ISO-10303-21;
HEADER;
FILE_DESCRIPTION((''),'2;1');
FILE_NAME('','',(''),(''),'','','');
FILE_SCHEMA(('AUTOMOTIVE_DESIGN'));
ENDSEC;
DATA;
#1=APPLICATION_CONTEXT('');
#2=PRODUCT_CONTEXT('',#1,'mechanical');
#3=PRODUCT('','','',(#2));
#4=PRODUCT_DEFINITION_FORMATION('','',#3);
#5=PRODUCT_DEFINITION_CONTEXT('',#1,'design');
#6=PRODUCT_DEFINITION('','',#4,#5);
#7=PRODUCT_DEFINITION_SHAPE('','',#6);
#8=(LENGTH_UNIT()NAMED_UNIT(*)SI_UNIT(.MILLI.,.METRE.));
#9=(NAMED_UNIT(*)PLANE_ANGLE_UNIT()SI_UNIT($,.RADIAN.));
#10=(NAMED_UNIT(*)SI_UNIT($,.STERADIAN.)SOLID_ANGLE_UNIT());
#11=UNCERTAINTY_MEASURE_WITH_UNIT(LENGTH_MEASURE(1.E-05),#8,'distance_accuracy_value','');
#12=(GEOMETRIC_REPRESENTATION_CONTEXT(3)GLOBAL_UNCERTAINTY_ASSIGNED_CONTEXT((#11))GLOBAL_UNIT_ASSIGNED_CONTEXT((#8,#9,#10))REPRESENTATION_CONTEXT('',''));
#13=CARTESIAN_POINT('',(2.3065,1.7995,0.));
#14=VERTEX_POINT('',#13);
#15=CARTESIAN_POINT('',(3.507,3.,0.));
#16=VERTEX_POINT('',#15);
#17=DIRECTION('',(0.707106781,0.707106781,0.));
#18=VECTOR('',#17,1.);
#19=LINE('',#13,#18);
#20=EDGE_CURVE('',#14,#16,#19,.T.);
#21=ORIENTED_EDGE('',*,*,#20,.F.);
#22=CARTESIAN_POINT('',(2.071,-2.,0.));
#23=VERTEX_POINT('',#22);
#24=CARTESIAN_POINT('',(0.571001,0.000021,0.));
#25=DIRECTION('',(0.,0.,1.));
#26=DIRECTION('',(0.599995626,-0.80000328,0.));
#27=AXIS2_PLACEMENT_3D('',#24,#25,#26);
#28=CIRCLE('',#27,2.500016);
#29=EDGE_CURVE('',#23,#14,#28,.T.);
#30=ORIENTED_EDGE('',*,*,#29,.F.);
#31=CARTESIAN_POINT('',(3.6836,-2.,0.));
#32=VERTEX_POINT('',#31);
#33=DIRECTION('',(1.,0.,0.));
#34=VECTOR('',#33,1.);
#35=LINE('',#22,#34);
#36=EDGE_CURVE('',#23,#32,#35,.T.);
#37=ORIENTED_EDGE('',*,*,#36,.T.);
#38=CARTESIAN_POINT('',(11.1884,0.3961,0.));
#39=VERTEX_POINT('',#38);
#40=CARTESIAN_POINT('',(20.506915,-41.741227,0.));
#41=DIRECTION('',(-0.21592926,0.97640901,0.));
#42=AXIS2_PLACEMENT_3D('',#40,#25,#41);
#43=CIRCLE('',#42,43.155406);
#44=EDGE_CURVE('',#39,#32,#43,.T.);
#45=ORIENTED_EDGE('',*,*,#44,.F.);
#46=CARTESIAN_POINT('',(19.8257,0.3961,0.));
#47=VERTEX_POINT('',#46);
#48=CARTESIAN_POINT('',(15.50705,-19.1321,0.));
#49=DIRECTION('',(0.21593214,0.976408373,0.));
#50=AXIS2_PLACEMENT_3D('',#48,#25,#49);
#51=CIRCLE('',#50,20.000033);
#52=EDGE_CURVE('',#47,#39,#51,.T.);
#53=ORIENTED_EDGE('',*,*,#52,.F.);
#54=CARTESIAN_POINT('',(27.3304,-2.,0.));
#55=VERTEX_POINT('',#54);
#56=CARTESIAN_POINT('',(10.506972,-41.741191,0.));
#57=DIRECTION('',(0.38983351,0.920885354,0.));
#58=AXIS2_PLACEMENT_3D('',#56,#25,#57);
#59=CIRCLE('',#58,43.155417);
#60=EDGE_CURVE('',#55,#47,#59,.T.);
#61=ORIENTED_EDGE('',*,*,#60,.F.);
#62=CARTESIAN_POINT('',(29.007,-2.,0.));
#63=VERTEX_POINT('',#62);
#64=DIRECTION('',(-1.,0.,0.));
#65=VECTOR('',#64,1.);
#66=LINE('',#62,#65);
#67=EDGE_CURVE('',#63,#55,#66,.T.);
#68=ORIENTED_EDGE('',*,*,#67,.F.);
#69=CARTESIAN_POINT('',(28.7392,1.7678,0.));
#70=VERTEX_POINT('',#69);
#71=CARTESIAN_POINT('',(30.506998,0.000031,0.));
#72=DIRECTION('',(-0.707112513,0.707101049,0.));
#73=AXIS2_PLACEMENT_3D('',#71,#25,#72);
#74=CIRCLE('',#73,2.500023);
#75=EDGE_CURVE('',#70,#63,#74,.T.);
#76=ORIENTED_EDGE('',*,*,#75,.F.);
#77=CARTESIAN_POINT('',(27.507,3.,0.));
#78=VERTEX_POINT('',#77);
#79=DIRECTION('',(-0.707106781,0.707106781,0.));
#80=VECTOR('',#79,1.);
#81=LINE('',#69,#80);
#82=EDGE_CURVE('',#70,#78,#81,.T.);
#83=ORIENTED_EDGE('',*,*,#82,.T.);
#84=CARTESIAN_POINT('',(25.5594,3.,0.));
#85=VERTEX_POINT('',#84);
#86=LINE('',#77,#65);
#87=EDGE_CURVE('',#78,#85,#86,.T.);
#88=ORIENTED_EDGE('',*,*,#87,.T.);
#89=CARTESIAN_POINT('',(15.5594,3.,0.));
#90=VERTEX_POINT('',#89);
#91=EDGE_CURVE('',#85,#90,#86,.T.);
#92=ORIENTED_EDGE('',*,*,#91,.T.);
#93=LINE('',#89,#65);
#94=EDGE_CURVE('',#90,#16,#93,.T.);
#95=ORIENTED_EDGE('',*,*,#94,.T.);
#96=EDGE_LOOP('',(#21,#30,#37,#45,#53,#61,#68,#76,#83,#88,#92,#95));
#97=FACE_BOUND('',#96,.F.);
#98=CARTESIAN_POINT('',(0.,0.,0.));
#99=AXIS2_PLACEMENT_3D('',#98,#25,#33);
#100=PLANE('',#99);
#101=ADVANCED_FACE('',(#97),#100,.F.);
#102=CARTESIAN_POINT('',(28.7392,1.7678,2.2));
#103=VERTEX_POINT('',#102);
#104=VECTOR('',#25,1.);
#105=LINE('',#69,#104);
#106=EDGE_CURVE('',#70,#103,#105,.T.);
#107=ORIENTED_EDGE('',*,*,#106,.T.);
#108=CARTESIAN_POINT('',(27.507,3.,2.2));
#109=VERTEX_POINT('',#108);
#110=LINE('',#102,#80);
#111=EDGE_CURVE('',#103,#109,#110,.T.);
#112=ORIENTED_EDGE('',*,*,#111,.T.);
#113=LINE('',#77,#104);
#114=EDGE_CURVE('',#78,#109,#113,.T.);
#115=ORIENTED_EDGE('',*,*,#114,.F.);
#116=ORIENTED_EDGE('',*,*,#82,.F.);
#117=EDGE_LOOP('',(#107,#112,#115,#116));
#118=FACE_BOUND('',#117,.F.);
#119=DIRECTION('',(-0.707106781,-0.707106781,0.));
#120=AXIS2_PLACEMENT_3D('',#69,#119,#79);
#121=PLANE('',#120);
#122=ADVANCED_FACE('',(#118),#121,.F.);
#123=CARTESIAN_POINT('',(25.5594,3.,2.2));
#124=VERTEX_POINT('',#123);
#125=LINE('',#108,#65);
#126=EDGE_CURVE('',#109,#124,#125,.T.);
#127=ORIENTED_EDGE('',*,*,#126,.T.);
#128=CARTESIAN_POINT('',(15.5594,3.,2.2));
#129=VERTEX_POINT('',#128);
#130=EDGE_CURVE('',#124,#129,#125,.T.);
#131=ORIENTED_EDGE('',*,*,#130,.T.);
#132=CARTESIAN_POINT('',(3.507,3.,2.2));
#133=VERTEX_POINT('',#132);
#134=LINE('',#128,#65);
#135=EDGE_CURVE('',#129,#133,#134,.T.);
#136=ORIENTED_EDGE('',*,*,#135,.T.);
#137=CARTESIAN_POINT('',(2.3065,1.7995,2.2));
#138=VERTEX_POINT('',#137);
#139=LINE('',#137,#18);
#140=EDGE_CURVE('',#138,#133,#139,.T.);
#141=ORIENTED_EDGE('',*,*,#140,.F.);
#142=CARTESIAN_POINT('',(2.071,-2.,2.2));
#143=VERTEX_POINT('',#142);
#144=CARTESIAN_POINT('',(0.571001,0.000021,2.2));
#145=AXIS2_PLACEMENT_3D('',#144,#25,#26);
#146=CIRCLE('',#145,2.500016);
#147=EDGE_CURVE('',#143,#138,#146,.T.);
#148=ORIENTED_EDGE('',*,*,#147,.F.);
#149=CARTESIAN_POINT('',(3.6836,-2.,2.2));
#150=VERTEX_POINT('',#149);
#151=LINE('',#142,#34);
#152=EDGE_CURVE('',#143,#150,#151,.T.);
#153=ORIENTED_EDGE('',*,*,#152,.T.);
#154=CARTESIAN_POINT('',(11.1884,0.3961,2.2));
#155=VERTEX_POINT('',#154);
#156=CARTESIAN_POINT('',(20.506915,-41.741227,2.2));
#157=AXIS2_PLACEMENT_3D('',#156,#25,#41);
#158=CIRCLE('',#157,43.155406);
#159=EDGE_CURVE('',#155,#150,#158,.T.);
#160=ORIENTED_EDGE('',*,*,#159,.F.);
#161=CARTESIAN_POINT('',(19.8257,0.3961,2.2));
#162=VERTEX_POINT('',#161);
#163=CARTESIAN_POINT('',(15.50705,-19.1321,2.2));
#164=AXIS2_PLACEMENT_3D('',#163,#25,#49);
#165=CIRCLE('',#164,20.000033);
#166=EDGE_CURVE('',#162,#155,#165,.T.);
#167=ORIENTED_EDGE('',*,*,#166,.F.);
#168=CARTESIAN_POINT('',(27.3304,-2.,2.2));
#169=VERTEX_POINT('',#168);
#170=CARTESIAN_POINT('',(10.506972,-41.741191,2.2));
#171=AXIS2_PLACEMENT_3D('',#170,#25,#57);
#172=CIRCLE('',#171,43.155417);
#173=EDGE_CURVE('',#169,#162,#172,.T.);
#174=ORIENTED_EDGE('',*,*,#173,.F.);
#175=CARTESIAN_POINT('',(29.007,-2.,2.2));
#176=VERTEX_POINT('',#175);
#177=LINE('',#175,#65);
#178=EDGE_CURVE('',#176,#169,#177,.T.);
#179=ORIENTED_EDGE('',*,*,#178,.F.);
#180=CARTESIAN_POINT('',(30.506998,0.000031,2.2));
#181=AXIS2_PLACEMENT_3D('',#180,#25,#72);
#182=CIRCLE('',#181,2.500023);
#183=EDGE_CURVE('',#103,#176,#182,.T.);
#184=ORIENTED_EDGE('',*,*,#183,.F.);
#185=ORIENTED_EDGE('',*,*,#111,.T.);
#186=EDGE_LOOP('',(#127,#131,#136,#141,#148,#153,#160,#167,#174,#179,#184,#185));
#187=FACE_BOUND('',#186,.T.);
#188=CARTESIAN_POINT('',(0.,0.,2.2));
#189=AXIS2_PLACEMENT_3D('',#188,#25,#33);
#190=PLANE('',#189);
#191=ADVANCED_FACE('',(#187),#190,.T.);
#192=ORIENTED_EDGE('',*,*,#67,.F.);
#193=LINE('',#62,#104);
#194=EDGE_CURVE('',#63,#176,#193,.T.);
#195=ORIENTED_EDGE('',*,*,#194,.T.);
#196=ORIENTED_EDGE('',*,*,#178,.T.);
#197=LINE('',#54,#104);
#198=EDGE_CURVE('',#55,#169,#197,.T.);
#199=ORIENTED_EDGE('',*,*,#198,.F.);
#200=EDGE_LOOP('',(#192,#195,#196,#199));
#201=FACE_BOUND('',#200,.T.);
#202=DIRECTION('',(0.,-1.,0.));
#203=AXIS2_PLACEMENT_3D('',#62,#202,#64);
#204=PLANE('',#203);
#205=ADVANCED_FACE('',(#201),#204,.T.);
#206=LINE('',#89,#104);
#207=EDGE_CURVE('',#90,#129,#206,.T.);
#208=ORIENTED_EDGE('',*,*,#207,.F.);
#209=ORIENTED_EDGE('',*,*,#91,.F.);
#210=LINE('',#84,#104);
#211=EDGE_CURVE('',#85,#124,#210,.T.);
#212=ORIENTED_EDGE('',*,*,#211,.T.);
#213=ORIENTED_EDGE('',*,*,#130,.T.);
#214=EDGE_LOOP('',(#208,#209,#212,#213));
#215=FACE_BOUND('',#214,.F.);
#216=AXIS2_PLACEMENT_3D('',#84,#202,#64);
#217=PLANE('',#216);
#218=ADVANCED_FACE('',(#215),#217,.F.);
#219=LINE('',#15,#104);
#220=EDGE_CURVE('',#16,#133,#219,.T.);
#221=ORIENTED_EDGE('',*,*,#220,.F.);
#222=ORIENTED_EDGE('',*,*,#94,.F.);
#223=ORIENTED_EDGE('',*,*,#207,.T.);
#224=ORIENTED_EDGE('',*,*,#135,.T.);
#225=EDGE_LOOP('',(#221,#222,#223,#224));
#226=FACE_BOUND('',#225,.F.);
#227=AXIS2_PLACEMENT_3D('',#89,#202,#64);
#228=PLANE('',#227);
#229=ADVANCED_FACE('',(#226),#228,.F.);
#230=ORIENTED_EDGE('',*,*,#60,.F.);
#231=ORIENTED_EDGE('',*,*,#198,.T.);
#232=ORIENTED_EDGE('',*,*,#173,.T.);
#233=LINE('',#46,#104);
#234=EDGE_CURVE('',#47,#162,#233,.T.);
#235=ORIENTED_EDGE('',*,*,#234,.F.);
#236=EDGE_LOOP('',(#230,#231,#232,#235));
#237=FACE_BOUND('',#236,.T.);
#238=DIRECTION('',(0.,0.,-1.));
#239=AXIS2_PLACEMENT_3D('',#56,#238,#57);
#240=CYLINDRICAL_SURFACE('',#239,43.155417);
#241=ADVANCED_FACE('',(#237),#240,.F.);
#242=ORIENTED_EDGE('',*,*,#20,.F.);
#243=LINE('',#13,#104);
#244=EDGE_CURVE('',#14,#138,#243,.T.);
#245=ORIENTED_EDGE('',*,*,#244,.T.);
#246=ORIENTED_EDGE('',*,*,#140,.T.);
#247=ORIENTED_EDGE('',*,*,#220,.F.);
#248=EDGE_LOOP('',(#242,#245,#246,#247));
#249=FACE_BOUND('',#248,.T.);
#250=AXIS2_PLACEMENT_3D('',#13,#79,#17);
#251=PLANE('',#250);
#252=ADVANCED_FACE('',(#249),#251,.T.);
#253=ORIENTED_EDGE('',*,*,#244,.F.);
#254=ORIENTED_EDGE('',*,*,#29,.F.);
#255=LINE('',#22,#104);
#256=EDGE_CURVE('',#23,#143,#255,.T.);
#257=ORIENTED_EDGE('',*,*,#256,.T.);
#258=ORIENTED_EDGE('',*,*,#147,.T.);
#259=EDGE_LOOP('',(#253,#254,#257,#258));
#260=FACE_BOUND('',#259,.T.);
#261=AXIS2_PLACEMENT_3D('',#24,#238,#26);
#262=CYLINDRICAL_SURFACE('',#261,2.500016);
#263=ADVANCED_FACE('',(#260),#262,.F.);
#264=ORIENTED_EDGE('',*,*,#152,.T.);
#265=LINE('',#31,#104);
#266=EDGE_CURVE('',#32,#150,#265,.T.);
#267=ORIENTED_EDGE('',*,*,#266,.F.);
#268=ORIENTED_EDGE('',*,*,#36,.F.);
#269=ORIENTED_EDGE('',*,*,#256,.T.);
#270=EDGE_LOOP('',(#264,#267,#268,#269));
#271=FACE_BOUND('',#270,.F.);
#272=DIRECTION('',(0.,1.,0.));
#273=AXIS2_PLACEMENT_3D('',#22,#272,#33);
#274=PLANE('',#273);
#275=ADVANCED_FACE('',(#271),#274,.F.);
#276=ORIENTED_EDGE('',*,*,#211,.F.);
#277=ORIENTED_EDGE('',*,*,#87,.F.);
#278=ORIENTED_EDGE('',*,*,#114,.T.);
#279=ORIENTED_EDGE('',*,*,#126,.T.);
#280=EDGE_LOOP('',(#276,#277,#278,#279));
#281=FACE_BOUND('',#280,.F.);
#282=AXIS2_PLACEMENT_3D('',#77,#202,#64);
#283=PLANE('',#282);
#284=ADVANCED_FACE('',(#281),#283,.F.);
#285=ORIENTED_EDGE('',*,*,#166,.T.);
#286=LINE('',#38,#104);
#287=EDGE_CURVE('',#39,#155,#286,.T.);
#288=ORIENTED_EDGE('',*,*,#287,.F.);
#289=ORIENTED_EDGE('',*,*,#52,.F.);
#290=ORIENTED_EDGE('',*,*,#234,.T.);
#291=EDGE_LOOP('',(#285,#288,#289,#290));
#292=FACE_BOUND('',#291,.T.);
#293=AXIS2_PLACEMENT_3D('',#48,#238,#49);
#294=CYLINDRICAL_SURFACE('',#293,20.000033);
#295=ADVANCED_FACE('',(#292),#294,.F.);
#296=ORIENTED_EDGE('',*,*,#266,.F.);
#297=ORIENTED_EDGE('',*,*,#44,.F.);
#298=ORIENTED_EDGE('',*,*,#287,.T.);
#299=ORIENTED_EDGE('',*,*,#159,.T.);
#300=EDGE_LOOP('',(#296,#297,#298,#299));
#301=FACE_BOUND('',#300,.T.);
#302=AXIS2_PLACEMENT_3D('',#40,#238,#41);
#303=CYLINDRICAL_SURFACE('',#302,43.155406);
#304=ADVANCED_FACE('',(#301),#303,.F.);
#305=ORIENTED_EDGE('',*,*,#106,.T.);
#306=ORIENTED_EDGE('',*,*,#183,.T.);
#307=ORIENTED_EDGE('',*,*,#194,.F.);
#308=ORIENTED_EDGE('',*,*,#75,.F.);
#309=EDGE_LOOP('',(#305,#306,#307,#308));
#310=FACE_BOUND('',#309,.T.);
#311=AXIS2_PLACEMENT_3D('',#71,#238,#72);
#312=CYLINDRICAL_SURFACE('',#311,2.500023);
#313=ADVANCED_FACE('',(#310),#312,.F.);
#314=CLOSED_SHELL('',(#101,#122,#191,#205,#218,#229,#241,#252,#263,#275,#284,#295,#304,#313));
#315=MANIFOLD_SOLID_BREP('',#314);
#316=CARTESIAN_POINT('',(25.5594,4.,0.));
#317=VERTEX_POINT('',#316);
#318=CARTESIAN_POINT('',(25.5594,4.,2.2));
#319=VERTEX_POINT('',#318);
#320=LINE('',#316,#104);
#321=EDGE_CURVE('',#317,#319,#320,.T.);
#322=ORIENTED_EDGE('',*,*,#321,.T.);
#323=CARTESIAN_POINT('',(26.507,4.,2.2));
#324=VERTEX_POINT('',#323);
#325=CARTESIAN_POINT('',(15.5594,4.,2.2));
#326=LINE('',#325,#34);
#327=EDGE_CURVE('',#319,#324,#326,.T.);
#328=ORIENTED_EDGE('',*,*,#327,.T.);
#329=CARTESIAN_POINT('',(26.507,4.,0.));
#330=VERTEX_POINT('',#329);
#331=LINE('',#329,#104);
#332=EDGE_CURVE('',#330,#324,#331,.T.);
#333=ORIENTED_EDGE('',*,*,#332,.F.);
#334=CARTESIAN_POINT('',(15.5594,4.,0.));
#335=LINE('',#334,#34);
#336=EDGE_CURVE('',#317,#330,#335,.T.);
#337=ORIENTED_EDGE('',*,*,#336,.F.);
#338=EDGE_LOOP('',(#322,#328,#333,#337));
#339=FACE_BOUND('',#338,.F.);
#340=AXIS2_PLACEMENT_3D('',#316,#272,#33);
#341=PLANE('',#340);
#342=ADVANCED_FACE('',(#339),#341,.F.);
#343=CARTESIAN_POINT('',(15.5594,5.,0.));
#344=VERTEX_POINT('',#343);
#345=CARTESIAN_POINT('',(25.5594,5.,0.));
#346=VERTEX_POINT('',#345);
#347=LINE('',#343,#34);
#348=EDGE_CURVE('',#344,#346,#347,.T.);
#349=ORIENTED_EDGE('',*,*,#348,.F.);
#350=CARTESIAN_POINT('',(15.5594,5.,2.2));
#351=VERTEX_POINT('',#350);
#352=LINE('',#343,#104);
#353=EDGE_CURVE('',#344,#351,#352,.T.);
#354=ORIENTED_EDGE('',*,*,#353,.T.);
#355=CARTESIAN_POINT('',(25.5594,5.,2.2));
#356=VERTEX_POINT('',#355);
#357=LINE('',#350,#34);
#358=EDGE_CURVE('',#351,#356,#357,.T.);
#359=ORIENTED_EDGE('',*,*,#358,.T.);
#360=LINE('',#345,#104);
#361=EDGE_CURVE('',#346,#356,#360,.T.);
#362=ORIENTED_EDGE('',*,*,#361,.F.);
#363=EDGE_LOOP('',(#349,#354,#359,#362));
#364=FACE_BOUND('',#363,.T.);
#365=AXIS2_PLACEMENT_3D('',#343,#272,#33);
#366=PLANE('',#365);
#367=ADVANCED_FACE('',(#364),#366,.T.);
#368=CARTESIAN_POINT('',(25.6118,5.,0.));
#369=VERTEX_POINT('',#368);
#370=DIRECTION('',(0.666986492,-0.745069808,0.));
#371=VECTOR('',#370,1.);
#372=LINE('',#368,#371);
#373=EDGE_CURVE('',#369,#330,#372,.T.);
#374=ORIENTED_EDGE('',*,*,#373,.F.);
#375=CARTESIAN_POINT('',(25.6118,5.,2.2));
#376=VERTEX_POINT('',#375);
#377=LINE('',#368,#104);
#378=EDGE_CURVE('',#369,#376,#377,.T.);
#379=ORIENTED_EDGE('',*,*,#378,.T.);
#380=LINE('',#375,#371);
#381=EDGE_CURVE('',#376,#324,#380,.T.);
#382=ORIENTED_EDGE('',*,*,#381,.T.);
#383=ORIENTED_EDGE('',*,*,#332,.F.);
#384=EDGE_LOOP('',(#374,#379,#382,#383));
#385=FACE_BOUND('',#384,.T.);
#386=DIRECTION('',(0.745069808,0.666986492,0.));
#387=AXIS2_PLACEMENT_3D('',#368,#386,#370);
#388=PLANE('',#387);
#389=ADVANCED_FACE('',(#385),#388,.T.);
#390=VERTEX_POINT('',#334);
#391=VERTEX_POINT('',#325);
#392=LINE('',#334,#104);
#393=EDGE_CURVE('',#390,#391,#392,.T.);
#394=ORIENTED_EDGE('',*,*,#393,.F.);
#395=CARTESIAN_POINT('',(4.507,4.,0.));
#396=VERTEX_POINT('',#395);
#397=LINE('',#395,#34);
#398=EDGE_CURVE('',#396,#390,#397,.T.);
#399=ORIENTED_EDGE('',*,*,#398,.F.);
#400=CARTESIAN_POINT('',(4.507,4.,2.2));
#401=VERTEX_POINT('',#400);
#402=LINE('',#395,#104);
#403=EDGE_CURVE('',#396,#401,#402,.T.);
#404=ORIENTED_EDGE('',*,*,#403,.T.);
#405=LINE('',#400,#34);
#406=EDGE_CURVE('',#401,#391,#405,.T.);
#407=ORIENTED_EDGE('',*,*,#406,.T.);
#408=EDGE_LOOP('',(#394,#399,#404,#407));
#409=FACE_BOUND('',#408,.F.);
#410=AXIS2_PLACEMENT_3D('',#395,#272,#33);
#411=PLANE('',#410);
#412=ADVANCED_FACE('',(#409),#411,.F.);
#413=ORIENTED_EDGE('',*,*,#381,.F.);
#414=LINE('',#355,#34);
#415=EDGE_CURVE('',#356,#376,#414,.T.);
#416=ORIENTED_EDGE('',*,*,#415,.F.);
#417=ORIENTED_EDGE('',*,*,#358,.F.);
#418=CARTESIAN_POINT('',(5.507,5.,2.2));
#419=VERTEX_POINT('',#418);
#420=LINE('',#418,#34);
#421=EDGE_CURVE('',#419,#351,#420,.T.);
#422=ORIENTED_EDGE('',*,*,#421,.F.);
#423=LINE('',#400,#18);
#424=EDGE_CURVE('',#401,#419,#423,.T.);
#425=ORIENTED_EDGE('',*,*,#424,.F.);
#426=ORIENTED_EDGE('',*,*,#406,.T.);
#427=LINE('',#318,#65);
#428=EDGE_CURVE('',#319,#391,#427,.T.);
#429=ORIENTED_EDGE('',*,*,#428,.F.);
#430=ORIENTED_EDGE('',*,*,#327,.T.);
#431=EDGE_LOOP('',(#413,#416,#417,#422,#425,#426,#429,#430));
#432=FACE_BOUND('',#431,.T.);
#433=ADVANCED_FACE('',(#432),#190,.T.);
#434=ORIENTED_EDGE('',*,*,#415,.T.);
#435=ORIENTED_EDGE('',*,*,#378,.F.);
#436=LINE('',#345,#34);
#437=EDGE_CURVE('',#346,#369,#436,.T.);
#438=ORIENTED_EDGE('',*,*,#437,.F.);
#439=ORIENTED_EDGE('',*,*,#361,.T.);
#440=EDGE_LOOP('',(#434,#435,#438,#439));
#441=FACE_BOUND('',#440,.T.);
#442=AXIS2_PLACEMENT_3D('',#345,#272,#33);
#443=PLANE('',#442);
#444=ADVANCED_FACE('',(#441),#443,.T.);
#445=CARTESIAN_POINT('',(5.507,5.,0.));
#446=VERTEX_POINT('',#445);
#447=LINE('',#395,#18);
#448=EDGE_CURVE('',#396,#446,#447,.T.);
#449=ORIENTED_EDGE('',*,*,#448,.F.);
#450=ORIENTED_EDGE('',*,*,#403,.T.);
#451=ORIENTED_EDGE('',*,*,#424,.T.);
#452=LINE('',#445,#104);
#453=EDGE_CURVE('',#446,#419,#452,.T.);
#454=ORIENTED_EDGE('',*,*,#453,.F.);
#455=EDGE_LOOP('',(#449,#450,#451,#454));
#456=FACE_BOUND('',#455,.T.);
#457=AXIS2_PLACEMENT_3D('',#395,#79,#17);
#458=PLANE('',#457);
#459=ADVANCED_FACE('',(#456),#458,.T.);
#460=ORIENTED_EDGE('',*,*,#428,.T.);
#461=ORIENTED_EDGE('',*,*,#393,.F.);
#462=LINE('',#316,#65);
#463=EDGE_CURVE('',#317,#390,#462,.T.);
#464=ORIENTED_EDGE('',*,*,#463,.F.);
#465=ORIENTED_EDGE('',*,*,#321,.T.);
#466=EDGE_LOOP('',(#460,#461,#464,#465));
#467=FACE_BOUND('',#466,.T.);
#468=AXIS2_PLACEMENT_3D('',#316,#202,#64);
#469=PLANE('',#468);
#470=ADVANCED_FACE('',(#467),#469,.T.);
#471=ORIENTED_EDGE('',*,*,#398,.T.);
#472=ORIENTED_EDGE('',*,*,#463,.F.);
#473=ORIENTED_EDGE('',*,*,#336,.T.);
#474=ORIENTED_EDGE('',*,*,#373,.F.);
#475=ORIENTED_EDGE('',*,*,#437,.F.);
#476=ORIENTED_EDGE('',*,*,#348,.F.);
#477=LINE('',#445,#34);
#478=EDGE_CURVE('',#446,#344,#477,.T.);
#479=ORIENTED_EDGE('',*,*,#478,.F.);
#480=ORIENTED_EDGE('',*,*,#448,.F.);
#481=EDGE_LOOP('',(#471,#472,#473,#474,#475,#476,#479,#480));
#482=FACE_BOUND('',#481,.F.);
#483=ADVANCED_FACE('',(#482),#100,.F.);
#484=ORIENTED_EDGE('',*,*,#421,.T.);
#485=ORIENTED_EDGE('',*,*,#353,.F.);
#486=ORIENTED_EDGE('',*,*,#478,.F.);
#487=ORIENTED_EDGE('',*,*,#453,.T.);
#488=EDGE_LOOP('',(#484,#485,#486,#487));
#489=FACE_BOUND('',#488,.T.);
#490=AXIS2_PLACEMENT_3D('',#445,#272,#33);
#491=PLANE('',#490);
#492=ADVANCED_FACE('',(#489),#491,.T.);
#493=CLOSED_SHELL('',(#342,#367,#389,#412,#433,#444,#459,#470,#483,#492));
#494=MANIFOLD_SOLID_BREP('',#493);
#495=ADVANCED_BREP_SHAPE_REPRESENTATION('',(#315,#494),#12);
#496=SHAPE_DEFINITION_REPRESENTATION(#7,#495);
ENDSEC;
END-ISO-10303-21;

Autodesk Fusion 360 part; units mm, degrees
sketch "Sketch1" plane through (0, 0, 0) normal (0, 0, 1) x (1, 0, 0)
  line L0 (4.507, 4) -> (5.507, 5)
  line L1 (2.3065, 1.7995) -> (3.507, 3)
  line L2 (2.071, -2) -> (3.6836, -2)
  arc A0 (2.071, -2) -> (2.3065, 1.7995) centre (0.571, 0) ccw
  line L3 (5.507, 5) -> (15.5594, 5)
  line L4 (25.5594, 5) -> (25.6118, 5)
  line L5 (4.507, 4) -> (15.5594, 4)
  line L6 (15.5594, 4) -> (4.507, 4)
  line L7 (27.507, 3) -> (25.5594, 3)
  line L8 (15.5594, 3) -> (3.507, 3)
  arc A1 (11.1884, 0.3961) -> (3.6836, -2) centre (20.507, -41.7412) ccw
  line L9 (28.7392, 1.7678) -> (27.507, 3)
  line L10 (25.5594, 4) -> (15.5594, 4)
  arc A2 (27.3304, -2) -> (19.8257, 0.3961) centre (10.507, -41.7412) ccw
  line L11 (27.507, 3) -> (15.5594, 3)
  line L12 (15.5594, 4) -> (26.507, 4)
  line L13 (25.6118, 5) -> (26.507, 4)
  line L14 (15.5594, 5) -> (25.6118, 5)
  line L15 (15.5594, 1.1297) -> (15.5594, 1.1174)
  line L16 (29.007, -2) -> (27.3304, -2)
  arc A3 (28.7392, 1.7678) -> (29.007, -2) centre (30.507, 0) ccw
  arc A4 (19.8257, 0.3961) -> (11.1884, 0.3961) centre (15.507, -19.1321) ccw
  dimension "d5" = 1
  dimension "d12" = 5
  dimension "d20" = 5
  dimension "d21" = 20
extrude "Extrude3" add sketch "Sketch1" along normal blind 2.2 contours L1 L2 A0 L7 L8 A1 L9 A2 L11 L16 A3 A4 makes body 1
extrude "Extrude4" add sketch "Sketch1" along normal blind 2.2 separate body contours L0 L3 L4 L5 L6 L10 L12 L13 L14 makes body 2
